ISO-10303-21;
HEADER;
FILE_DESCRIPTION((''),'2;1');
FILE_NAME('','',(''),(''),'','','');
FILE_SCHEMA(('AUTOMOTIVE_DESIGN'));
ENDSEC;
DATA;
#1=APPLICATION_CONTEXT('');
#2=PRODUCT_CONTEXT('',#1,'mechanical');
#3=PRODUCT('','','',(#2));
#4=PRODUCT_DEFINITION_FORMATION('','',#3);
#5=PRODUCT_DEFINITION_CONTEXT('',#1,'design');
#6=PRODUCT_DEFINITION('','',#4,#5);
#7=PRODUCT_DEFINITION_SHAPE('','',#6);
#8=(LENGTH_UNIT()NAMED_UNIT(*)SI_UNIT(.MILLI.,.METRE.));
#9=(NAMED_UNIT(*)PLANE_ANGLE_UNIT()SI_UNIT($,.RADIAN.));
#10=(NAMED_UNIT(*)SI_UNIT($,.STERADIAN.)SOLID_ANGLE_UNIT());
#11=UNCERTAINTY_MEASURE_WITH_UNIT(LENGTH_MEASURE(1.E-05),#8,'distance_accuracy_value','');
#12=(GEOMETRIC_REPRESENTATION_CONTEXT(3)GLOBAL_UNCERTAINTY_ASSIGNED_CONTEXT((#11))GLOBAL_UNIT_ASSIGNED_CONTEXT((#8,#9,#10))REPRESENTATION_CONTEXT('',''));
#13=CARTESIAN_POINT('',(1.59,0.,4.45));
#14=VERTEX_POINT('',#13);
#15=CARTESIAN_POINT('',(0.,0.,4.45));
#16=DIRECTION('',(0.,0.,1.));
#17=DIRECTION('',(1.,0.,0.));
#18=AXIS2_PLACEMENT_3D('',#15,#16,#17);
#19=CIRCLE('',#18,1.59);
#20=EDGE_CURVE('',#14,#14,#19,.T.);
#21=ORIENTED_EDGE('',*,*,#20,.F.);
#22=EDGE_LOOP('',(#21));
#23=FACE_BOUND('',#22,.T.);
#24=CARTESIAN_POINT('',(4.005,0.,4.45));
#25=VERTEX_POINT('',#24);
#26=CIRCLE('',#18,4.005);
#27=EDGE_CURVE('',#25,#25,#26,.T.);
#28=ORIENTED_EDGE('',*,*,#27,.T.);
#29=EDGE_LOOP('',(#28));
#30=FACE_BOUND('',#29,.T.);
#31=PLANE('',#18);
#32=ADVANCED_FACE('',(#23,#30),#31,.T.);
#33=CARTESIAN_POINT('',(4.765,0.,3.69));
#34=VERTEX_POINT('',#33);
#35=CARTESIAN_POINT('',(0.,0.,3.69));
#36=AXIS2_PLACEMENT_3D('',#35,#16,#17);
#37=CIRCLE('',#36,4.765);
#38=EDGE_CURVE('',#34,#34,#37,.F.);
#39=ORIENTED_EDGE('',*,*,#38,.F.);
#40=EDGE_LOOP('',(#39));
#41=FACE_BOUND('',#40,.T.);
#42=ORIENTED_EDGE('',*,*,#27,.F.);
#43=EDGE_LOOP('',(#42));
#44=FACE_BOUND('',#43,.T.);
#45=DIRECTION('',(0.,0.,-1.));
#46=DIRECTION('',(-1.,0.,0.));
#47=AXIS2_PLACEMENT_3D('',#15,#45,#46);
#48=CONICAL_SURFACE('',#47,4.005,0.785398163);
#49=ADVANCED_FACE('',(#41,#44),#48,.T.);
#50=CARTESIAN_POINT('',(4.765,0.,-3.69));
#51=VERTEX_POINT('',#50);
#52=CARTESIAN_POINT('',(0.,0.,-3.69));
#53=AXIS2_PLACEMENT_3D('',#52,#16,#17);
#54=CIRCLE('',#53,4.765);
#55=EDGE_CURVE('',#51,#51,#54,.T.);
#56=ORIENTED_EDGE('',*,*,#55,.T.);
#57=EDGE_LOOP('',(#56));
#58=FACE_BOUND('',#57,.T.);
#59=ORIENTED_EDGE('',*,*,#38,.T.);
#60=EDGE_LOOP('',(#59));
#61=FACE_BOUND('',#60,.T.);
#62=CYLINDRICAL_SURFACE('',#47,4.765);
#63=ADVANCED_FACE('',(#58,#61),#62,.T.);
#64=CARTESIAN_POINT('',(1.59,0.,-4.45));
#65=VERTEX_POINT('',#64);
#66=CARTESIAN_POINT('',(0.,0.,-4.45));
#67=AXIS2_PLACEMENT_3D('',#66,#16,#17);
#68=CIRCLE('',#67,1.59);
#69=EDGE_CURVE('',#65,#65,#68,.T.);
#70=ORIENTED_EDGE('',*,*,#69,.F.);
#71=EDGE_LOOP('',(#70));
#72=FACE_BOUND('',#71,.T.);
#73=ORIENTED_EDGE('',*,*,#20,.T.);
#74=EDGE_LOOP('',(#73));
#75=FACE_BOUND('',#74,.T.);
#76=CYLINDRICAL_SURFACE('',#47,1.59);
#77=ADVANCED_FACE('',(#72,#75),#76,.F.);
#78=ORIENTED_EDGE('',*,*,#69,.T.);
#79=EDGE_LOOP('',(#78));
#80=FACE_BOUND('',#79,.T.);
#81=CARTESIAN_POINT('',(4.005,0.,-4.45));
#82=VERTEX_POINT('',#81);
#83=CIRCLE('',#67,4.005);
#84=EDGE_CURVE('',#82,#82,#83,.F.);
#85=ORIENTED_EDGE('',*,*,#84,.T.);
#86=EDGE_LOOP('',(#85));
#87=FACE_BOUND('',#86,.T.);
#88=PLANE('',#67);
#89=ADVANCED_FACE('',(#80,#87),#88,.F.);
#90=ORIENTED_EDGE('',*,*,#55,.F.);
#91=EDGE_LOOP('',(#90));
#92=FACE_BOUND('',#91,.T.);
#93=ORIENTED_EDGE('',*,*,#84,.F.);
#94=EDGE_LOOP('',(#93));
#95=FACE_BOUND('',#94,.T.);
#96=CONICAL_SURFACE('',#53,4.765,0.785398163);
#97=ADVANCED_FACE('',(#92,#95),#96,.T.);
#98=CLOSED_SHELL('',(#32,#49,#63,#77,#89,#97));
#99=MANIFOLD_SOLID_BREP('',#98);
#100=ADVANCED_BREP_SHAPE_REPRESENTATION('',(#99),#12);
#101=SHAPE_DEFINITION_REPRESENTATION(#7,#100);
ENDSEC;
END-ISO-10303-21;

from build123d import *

# Parameters (mm, degrees)
ESQUISSE1_R        = 4.765
ESQUISSE1_R_2      = 1.59
BOSS_EXTRU_1_DEPTH = 4.45
CHANFREIN1_SIZE    = 0.76


with BuildPart() as part:
    # Esquisse1 → Boss.-Extru.1 (new body, symmetric)
    with BuildSketch(Plane.XY):
        Circle(ESQUISSE1_R)
        Circle(ESQUISSE1_R_2, mode=Mode.SUBTRACT)
    extrude(amount=BOSS_EXTRU_1_DEPTH, both=True)

    # Chanfrein1
    chanfrein1_edges = [part.edges().sort_by_distance(p)[0] for p in [
        (-4.765, 0, -4.45),
        (-4.765, 0, 4.45),
    ]]
    chamfer(chanfrein1_edges, length=CHANFREIN1_SIZE)


solid = part.part
